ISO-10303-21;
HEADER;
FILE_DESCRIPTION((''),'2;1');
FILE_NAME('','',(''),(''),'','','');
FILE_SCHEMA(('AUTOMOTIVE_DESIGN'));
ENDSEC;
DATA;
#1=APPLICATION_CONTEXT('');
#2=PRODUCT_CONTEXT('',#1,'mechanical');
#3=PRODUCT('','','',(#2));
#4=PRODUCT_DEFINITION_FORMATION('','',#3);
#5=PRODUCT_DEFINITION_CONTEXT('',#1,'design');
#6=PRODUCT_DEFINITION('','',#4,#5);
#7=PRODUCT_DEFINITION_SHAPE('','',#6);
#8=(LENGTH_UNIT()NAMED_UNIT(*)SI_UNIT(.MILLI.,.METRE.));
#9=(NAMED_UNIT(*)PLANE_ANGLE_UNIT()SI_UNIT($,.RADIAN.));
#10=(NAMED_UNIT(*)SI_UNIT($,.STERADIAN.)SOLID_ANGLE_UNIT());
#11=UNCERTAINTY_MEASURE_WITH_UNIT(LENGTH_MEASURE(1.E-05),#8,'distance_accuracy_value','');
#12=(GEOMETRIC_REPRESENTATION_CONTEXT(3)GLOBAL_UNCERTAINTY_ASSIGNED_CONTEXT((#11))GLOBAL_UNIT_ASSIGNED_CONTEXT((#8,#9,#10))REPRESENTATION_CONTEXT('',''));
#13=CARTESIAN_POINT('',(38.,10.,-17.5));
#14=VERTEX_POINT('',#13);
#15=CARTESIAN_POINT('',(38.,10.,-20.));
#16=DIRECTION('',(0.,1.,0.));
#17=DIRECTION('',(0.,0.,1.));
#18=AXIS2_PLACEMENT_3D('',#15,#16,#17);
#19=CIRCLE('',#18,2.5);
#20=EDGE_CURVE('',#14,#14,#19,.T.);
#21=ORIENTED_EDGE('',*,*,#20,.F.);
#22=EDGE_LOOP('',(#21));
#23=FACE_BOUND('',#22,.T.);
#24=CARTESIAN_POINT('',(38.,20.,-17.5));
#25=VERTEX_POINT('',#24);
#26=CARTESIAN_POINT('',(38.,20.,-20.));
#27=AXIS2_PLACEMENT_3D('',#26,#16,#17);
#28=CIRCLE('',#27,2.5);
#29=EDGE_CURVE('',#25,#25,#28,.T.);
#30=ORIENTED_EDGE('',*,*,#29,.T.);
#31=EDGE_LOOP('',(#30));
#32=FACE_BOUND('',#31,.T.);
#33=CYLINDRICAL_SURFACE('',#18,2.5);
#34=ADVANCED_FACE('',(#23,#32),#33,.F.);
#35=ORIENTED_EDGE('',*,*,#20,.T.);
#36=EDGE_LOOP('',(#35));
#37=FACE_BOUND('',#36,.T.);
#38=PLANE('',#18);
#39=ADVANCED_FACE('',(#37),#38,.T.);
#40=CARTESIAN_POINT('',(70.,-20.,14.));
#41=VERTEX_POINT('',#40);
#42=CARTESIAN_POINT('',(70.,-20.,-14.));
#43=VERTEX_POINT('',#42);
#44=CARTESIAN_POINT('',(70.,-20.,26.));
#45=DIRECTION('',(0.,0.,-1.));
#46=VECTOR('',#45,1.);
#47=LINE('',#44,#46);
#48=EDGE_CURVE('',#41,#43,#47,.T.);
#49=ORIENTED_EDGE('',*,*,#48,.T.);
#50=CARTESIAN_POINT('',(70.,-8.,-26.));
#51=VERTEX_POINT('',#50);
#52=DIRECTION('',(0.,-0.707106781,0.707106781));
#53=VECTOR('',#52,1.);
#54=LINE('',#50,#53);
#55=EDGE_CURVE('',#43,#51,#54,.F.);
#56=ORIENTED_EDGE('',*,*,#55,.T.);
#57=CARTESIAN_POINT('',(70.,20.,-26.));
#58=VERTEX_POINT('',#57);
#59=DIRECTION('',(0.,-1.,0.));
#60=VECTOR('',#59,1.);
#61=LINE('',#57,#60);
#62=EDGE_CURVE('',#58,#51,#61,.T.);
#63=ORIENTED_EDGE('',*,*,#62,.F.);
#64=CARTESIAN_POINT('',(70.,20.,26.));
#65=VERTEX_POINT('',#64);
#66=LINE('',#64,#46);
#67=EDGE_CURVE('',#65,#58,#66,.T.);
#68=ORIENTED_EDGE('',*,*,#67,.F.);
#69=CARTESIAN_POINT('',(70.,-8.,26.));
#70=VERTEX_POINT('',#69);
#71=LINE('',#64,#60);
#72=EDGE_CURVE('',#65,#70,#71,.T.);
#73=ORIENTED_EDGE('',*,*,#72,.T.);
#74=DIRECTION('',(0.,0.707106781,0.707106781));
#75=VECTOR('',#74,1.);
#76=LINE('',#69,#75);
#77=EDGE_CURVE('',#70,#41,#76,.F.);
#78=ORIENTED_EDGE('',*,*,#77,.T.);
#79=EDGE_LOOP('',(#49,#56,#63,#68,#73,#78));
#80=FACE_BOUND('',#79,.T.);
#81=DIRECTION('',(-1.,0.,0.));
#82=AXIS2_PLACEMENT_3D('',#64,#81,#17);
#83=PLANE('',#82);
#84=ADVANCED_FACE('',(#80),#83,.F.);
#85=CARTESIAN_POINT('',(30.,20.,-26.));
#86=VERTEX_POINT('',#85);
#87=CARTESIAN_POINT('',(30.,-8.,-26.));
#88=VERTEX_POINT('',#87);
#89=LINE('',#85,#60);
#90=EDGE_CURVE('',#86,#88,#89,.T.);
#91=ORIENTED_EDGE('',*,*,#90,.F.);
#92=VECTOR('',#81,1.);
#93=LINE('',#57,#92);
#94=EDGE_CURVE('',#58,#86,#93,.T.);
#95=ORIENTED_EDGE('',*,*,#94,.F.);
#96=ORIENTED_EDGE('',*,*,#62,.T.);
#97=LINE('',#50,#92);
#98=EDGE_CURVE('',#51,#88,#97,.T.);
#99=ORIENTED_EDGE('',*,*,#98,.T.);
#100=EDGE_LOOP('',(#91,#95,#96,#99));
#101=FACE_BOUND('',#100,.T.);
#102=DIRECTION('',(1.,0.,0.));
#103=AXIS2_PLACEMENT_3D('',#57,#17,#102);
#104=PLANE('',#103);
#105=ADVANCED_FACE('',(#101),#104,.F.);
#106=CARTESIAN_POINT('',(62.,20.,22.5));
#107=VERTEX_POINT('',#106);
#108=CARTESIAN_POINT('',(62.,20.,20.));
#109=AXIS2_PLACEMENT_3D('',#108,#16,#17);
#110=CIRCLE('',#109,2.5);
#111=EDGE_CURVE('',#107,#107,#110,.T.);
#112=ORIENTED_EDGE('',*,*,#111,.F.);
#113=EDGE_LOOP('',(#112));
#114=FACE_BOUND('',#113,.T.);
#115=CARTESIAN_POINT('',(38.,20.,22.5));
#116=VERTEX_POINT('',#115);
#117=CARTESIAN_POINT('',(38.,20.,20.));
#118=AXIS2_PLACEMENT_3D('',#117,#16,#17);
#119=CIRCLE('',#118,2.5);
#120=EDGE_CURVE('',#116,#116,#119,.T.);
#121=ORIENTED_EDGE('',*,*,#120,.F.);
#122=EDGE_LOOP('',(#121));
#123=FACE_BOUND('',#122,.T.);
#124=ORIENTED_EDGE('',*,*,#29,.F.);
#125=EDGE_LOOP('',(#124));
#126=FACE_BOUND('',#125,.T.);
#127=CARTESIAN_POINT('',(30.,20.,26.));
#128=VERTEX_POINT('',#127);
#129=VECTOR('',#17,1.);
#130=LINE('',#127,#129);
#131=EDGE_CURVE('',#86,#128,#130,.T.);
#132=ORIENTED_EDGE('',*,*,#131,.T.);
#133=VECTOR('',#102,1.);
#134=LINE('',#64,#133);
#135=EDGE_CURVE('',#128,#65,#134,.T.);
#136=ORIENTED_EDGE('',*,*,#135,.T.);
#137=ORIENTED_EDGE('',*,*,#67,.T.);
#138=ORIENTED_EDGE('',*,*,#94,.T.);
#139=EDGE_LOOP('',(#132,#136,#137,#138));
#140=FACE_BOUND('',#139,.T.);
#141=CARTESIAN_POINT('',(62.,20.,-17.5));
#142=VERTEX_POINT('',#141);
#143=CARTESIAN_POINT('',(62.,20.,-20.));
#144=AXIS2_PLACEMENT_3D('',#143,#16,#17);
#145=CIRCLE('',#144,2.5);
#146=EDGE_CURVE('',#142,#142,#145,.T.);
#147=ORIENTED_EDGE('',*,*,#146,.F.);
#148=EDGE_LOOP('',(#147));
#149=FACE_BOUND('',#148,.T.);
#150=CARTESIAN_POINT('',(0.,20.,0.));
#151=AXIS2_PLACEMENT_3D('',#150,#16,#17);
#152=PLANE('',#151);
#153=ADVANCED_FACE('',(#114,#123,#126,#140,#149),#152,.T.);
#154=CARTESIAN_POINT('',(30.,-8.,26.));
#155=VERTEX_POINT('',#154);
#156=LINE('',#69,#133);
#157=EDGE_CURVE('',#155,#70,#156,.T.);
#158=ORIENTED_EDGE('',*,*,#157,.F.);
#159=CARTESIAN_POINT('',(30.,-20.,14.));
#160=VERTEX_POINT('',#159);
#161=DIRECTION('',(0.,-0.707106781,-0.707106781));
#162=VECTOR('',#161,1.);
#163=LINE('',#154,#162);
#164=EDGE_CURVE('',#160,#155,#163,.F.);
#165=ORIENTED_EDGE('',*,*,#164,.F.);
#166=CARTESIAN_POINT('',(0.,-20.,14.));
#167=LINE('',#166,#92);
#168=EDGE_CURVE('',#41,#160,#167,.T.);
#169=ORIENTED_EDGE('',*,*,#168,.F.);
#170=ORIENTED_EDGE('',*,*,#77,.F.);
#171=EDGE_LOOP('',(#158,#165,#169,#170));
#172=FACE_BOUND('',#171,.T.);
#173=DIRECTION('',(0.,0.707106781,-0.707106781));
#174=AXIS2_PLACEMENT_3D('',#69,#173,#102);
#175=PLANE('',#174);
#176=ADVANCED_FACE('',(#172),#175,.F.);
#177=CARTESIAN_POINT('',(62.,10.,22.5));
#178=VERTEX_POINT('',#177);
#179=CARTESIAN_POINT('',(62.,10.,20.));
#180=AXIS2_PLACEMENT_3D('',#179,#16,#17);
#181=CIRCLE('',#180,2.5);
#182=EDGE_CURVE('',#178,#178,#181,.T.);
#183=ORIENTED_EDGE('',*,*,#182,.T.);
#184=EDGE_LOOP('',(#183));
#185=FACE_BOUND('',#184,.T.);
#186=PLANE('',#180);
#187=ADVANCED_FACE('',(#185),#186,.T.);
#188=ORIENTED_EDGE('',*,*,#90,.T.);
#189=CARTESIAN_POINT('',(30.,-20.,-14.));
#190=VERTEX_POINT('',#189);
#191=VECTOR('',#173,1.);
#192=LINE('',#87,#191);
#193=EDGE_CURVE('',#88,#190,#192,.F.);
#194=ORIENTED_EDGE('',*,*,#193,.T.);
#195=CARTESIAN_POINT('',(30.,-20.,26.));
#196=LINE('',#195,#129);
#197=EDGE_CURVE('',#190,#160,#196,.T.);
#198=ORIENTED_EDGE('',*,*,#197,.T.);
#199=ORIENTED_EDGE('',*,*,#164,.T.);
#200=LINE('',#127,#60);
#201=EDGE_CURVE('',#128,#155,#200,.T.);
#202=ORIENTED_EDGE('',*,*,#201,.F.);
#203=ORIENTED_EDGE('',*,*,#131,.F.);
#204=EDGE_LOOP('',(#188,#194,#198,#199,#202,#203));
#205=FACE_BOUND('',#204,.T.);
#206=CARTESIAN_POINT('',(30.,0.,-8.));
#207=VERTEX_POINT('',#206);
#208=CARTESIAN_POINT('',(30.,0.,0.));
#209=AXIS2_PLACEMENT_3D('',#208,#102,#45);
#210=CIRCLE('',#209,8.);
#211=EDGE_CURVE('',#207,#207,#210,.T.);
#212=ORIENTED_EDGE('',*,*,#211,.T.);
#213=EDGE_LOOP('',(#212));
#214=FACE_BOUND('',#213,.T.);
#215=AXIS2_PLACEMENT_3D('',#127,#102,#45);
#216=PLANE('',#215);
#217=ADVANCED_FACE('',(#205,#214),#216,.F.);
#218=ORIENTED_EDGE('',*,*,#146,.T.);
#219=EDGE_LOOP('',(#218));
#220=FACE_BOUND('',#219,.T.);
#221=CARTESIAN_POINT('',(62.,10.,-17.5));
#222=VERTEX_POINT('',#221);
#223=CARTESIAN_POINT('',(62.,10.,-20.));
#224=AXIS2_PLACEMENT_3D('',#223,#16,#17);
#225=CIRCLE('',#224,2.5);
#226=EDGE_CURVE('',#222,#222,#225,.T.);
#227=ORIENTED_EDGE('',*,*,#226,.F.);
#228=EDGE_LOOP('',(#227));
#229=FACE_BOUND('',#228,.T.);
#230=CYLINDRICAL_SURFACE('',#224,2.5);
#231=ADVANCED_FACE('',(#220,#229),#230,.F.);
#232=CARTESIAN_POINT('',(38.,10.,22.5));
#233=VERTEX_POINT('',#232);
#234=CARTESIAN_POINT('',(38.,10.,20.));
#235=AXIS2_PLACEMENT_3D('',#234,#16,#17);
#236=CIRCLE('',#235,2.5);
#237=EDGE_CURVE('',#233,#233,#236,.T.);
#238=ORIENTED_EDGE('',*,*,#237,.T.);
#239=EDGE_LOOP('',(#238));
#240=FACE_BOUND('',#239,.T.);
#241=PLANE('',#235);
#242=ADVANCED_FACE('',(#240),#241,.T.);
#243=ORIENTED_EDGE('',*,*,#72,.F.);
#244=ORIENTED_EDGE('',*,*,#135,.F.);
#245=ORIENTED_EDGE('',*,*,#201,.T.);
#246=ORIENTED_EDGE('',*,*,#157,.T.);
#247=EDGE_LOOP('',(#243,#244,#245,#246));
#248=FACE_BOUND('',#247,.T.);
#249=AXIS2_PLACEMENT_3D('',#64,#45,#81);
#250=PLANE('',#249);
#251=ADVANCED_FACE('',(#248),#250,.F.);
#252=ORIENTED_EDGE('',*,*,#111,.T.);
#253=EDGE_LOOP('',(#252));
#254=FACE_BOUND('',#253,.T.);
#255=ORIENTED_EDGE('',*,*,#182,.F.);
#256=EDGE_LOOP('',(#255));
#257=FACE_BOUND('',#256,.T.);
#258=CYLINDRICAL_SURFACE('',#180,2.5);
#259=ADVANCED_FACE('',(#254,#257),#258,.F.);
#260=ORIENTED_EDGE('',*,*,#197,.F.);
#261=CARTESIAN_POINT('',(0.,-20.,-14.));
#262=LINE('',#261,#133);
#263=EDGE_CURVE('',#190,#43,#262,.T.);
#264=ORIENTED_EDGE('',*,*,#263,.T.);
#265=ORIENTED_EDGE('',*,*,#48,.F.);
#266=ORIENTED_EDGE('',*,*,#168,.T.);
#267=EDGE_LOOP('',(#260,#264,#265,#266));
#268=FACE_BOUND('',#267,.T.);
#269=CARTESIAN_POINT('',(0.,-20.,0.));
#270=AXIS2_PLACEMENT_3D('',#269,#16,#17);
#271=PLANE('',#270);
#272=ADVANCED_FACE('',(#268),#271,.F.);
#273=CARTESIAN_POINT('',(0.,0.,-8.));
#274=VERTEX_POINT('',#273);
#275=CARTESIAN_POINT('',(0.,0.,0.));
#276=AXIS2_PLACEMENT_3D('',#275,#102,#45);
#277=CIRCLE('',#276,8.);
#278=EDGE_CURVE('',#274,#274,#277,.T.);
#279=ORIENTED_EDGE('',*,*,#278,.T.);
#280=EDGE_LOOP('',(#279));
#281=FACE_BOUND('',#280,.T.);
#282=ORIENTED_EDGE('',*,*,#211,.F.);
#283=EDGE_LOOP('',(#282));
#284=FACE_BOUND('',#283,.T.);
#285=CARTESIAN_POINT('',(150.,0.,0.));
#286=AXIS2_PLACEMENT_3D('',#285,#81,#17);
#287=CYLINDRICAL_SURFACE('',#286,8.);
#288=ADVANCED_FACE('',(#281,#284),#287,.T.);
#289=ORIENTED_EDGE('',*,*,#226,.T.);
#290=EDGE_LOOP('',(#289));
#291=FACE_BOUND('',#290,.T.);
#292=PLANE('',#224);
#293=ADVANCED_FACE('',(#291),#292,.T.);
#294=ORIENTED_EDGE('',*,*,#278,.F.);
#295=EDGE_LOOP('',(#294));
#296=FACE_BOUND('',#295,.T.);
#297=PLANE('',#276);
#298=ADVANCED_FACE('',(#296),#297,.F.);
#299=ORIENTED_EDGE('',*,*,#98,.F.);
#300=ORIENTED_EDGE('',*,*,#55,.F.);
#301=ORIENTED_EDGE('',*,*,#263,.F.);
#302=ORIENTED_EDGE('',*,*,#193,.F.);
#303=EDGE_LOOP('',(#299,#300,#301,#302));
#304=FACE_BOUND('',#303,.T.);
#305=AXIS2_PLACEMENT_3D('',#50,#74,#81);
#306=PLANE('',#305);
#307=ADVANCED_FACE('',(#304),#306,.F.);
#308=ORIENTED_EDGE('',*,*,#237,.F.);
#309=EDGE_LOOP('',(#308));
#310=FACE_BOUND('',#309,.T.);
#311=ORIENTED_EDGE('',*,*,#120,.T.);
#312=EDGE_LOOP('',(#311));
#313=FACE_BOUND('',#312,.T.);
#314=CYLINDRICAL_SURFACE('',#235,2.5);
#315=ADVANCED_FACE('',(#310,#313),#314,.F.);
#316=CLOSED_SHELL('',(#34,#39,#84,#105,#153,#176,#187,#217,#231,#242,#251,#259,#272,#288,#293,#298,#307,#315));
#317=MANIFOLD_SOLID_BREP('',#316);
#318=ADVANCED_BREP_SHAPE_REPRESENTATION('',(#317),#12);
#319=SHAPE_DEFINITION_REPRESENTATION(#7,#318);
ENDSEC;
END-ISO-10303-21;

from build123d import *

# Parameters (mm, degrees)
SKETCH1_R           = 8
BOSS_EXTRUDE1_DEPTH = 150
SKETCH2_W           = 40
SKETCH2_H           = 52
BOSS_EXTRUDE2_DEPTH = 20
CHAMFER1_SIZE       = 12
SKETCH3_R           = 2.5
CUT_EXTRUDE1_DEPTH  = 10
SKETCH4_W           = 80.351410155
SKETCH4_H           = 105.979847546
CUT_EXTRUDE2_DEPTH  = 41


with BuildPart() as part:
    # Sketch1 → Boss-Extrude1 (new body)
    with BuildSketch(Plane(origin=(0, 0, 0), x_dir=(0, 0, -1), z_dir=(1, 0, 0))):
        Circle(SKETCH1_R)
    extrude(amount=BOSS_EXTRUDE1_DEPTH)

    # Sketch2 → Boss-Extrude2 (add, symmetric)
    with BuildSketch(Plane(origin=(0, 0, 0), x_dir=(1, 0, 0), z_dir=(0, 1, 0))):
        with Locations((50, 0)):
            Rectangle(SKETCH2_W, SKETCH2_H)
    extrude(amount=BOSS_EXTRUDE2_DEPTH, both=True)

    # Chamfer1
    chamfer1_edges = [part.edges().sort_by_distance(p)[0] for p in [
        (50, -20, 26),
        (50, -20, -26),
    ]]
    chamfer(chamfer1_edges, length=CHAMFER1_SIZE)

    # Sketch3 → Cut-Extrude1 (cut)
    with BuildSketch(Plane(origin=(0, 20, 0), x_dir=(1, 0, 0), z_dir=(0, 1, 0))):
        with Locations((38, 20)):
            Circle(SKETCH3_R)
        with Locations((62, 20)):
            Circle(SKETCH3_R)
        with Locations((38, -20)):
            Circle(SKETCH3_R)
        with Locations((62, -20)):
            Circle(SKETCH3_R)
    extrude(amount=-CUT_EXTRUDE1_DEPTH, mode=Mode.SUBTRACT)

    # Sketch4 → Cut-Extrude2 (cut, through all)
    with BuildSketch(Plane(origin=(0, 20, 0), x_dir=(1, 0, 0), z_dir=(0, 1, 0))):
        with Locations((110.175705077, -18.887237422)):
            Rectangle(SKETCH4_W, SKETCH4_H)
    extrude(amount=-CUT_EXTRUDE2_DEPTH, mode=Mode.SUBTRACT)


solid = part.part
